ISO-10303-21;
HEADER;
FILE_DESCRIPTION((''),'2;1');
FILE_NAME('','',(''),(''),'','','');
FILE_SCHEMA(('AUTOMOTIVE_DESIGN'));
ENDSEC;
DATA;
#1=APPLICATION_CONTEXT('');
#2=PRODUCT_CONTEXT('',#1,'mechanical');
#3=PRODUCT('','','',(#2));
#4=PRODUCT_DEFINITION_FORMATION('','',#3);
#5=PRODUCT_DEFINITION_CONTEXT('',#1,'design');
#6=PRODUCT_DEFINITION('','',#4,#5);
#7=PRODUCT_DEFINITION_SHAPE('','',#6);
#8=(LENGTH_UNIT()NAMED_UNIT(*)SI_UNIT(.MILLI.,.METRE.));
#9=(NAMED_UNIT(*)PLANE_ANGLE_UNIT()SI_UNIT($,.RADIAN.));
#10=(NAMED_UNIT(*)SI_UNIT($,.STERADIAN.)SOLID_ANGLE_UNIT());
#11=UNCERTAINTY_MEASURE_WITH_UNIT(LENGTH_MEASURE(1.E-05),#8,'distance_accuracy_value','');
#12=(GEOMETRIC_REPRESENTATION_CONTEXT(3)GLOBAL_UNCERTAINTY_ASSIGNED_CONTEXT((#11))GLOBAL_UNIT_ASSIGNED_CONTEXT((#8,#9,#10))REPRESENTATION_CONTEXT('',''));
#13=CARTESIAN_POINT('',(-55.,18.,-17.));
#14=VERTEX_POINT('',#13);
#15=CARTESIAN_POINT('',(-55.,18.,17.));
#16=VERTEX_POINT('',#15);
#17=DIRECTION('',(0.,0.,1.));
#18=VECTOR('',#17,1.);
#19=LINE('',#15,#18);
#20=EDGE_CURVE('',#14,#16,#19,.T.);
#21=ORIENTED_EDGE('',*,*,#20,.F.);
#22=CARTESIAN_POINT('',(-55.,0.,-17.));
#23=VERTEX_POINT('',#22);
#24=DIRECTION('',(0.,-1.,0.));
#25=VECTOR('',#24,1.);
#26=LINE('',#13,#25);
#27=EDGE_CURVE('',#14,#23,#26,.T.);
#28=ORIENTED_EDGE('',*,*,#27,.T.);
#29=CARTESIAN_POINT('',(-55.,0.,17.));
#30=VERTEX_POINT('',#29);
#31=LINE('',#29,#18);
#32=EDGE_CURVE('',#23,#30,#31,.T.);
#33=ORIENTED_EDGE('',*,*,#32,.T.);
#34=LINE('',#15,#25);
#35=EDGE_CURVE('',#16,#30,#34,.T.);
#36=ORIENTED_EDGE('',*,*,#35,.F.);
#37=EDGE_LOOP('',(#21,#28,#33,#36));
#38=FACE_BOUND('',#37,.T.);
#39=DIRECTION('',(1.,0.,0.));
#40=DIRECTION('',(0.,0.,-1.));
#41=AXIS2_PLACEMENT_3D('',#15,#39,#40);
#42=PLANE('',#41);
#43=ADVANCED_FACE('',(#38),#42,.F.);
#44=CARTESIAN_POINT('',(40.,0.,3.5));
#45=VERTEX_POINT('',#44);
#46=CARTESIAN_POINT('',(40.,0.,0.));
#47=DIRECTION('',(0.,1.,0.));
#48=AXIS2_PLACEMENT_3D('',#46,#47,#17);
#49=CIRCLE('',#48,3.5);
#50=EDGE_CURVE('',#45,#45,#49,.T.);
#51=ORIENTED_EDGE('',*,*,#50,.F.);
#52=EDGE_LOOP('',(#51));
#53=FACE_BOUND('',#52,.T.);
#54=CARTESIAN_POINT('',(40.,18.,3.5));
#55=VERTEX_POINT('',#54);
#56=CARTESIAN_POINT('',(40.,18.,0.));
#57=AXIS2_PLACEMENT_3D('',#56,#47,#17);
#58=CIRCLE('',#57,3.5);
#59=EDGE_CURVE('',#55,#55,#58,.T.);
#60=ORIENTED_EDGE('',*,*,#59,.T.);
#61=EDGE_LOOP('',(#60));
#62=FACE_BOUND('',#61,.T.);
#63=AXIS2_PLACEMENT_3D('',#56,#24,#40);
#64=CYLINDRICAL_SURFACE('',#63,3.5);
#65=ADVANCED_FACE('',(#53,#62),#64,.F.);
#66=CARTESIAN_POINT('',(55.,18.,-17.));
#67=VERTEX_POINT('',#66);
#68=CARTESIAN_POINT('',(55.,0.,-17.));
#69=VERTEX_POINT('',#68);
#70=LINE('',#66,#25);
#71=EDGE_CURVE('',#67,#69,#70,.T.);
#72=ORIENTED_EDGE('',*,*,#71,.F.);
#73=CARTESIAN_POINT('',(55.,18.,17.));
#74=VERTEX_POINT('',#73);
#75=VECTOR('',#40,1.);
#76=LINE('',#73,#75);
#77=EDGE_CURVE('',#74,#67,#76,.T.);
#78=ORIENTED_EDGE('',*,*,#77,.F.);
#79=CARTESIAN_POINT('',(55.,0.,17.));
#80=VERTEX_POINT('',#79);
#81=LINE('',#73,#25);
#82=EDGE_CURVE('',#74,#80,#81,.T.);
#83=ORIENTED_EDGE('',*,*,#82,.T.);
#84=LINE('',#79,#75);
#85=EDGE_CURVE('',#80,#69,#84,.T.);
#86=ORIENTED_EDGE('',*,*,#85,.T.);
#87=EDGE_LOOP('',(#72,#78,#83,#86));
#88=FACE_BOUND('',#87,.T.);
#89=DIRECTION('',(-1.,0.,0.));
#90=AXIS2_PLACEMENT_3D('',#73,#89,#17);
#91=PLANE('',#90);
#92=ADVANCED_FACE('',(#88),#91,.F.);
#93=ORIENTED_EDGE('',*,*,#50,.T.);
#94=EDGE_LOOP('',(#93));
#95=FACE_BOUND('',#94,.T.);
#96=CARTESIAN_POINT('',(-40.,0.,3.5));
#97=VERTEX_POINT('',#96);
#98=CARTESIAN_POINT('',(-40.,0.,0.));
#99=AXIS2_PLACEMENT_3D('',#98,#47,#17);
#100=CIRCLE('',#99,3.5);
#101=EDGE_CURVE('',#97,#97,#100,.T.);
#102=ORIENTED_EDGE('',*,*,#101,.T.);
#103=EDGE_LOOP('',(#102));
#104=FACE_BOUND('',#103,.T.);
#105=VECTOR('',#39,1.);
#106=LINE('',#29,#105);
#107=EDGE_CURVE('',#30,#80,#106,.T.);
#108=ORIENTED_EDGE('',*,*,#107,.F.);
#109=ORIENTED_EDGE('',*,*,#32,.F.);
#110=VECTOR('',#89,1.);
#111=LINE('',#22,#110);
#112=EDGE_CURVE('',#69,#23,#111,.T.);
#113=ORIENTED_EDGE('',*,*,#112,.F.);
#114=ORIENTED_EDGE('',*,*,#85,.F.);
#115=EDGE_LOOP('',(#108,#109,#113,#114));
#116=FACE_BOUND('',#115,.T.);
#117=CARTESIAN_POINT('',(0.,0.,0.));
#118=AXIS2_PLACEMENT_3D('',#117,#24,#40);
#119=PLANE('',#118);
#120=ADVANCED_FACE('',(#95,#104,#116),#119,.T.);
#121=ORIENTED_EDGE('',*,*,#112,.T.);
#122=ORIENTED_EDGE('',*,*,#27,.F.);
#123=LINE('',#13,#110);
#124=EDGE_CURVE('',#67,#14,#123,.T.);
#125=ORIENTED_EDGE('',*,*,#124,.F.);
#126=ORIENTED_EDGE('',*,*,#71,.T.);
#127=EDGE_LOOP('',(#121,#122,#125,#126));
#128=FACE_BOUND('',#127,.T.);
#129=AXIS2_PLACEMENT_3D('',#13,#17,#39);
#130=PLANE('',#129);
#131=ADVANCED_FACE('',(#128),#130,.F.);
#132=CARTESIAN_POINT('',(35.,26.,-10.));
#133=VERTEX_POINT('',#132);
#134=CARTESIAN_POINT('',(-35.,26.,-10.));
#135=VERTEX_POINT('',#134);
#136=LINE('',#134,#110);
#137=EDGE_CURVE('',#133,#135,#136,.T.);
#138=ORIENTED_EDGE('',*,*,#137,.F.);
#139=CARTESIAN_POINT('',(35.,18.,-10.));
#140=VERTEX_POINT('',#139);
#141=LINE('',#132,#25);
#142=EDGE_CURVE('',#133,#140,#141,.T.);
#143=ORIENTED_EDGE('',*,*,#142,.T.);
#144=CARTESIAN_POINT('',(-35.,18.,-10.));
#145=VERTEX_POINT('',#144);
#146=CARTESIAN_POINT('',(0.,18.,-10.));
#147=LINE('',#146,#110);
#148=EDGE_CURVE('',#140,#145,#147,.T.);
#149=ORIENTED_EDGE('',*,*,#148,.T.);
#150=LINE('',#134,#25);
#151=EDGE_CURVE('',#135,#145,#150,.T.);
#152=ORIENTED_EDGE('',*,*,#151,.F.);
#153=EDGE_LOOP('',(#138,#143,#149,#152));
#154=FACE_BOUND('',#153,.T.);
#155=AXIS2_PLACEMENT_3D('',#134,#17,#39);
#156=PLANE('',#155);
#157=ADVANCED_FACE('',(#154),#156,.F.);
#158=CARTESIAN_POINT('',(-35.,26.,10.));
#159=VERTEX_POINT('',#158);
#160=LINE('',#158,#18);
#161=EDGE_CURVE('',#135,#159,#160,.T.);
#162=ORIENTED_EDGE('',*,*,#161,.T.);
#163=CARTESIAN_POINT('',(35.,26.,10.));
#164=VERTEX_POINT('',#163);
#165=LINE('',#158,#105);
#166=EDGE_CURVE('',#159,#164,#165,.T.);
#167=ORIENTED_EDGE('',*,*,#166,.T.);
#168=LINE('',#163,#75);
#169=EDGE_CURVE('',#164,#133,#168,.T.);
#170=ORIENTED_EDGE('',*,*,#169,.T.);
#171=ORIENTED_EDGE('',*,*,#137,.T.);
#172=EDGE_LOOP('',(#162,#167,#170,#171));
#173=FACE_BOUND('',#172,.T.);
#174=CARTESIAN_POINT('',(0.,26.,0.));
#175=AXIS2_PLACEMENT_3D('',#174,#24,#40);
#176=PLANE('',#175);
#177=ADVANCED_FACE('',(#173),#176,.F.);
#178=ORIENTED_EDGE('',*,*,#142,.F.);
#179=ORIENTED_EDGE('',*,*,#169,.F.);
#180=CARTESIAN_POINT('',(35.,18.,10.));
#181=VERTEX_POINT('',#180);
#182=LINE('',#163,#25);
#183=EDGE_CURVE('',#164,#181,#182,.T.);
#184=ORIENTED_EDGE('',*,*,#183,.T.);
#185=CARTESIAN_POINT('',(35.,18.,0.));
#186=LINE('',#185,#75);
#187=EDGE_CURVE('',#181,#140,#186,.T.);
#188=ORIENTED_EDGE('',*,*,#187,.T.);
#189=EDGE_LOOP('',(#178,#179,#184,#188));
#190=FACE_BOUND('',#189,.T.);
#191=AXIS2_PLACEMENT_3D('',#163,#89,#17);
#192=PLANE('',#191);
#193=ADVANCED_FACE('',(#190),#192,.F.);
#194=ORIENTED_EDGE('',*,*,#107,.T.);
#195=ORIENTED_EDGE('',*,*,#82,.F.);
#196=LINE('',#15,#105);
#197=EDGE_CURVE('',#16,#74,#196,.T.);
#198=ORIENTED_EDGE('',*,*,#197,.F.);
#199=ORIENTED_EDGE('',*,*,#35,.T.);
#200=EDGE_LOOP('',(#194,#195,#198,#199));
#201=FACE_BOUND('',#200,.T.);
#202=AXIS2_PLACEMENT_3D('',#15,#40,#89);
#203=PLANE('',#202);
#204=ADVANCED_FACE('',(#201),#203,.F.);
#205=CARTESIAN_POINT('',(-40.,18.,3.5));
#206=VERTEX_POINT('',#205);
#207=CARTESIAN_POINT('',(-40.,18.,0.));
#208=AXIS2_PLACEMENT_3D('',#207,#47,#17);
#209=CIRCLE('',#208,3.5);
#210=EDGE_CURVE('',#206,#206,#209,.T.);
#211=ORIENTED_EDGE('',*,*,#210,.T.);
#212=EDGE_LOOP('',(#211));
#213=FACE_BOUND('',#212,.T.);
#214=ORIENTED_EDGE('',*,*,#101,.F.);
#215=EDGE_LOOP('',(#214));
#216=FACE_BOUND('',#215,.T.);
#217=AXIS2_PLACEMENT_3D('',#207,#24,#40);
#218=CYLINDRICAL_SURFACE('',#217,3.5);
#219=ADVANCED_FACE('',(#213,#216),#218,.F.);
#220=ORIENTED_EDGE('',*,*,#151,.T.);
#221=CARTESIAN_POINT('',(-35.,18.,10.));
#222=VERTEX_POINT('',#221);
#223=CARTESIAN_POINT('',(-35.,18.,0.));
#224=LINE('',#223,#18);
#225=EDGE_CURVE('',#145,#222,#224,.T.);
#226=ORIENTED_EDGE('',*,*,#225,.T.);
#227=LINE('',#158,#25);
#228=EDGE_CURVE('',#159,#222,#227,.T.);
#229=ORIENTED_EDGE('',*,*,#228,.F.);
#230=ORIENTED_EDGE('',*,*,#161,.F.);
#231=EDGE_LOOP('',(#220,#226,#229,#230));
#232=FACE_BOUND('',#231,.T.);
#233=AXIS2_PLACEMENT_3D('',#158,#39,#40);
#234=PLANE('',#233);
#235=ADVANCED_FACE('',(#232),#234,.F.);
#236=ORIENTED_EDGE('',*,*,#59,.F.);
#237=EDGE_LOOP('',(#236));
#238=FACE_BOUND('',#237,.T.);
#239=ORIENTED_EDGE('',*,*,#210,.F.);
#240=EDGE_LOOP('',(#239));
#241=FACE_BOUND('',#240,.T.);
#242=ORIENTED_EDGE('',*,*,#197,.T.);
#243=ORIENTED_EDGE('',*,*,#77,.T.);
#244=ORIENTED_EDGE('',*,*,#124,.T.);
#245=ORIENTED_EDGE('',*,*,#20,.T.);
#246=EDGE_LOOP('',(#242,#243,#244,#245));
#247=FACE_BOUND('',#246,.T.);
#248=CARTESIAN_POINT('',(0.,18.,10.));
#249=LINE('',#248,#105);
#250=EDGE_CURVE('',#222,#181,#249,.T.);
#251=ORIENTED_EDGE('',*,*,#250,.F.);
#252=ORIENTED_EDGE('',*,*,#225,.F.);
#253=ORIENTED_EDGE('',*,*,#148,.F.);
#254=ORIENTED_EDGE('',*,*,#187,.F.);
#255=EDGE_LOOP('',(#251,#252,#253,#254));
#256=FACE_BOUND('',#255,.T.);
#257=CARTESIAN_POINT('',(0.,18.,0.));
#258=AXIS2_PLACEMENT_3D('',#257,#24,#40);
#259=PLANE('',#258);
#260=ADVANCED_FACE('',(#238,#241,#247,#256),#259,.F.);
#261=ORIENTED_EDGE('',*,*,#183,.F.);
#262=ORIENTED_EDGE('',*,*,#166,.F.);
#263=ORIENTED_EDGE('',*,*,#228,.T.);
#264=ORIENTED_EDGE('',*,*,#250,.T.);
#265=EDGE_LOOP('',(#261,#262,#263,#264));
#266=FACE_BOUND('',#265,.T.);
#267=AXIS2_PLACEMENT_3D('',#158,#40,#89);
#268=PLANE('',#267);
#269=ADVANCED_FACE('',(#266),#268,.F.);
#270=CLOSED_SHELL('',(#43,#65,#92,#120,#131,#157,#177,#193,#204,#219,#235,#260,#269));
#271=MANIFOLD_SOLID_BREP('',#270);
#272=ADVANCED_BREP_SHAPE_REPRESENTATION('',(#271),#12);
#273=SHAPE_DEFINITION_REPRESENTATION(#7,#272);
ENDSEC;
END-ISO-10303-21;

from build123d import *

# Parameters (mm, degrees)
F_01_BASE_PROFILE_W           = 110
F_01_BASE_PROFILE_H           = 34
F_01_BASE_PROFILE_R           = 3.5
F_01_BASE_EXTRUDE_DEPTH       = 18
F_02_BOSS_PROFILE_W           = 70
F_02_BOSS_PROFILE_H           = 20
F_02_REINFORCEMENT_BOSS_DEPTH = 26


with BuildPart() as part:
    # 01_Base_Profile → 01_Base_Extrude (new body)
    with BuildSketch(Plane(origin=(0, 0, 0), x_dir=(1, 0, 0), z_dir=(0, 1, 0))):
        Rectangle(F_01_BASE_PROFILE_W, F_01_BASE_PROFILE_H)
        with Locations(Location((-40, 0, 0), (0, 0, 270))):
            Circle(F_01_BASE_PROFILE_R, mode=Mode.SUBTRACT)
        with Locations(Location((40, 0, 0), (0, 0, 270))):
            Circle(F_01_BASE_PROFILE_R, mode=Mode.SUBTRACT)
    extrude(amount=F_01_BASE_EXTRUDE_DEPTH)

    # 02_Boss_Profile → 02_Reinforcement_Boss (add)
    with BuildSketch(Plane(origin=(0, 0, 0), x_dir=(1, 0, 0), z_dir=(0, 1, 0))):
        Rectangle(F_02_BOSS_PROFILE_W, F_02_BOSS_PROFILE_H)
    extrude(amount=F_02_REINFORCEMENT_BOSS_DEPTH)


solid = part.part
